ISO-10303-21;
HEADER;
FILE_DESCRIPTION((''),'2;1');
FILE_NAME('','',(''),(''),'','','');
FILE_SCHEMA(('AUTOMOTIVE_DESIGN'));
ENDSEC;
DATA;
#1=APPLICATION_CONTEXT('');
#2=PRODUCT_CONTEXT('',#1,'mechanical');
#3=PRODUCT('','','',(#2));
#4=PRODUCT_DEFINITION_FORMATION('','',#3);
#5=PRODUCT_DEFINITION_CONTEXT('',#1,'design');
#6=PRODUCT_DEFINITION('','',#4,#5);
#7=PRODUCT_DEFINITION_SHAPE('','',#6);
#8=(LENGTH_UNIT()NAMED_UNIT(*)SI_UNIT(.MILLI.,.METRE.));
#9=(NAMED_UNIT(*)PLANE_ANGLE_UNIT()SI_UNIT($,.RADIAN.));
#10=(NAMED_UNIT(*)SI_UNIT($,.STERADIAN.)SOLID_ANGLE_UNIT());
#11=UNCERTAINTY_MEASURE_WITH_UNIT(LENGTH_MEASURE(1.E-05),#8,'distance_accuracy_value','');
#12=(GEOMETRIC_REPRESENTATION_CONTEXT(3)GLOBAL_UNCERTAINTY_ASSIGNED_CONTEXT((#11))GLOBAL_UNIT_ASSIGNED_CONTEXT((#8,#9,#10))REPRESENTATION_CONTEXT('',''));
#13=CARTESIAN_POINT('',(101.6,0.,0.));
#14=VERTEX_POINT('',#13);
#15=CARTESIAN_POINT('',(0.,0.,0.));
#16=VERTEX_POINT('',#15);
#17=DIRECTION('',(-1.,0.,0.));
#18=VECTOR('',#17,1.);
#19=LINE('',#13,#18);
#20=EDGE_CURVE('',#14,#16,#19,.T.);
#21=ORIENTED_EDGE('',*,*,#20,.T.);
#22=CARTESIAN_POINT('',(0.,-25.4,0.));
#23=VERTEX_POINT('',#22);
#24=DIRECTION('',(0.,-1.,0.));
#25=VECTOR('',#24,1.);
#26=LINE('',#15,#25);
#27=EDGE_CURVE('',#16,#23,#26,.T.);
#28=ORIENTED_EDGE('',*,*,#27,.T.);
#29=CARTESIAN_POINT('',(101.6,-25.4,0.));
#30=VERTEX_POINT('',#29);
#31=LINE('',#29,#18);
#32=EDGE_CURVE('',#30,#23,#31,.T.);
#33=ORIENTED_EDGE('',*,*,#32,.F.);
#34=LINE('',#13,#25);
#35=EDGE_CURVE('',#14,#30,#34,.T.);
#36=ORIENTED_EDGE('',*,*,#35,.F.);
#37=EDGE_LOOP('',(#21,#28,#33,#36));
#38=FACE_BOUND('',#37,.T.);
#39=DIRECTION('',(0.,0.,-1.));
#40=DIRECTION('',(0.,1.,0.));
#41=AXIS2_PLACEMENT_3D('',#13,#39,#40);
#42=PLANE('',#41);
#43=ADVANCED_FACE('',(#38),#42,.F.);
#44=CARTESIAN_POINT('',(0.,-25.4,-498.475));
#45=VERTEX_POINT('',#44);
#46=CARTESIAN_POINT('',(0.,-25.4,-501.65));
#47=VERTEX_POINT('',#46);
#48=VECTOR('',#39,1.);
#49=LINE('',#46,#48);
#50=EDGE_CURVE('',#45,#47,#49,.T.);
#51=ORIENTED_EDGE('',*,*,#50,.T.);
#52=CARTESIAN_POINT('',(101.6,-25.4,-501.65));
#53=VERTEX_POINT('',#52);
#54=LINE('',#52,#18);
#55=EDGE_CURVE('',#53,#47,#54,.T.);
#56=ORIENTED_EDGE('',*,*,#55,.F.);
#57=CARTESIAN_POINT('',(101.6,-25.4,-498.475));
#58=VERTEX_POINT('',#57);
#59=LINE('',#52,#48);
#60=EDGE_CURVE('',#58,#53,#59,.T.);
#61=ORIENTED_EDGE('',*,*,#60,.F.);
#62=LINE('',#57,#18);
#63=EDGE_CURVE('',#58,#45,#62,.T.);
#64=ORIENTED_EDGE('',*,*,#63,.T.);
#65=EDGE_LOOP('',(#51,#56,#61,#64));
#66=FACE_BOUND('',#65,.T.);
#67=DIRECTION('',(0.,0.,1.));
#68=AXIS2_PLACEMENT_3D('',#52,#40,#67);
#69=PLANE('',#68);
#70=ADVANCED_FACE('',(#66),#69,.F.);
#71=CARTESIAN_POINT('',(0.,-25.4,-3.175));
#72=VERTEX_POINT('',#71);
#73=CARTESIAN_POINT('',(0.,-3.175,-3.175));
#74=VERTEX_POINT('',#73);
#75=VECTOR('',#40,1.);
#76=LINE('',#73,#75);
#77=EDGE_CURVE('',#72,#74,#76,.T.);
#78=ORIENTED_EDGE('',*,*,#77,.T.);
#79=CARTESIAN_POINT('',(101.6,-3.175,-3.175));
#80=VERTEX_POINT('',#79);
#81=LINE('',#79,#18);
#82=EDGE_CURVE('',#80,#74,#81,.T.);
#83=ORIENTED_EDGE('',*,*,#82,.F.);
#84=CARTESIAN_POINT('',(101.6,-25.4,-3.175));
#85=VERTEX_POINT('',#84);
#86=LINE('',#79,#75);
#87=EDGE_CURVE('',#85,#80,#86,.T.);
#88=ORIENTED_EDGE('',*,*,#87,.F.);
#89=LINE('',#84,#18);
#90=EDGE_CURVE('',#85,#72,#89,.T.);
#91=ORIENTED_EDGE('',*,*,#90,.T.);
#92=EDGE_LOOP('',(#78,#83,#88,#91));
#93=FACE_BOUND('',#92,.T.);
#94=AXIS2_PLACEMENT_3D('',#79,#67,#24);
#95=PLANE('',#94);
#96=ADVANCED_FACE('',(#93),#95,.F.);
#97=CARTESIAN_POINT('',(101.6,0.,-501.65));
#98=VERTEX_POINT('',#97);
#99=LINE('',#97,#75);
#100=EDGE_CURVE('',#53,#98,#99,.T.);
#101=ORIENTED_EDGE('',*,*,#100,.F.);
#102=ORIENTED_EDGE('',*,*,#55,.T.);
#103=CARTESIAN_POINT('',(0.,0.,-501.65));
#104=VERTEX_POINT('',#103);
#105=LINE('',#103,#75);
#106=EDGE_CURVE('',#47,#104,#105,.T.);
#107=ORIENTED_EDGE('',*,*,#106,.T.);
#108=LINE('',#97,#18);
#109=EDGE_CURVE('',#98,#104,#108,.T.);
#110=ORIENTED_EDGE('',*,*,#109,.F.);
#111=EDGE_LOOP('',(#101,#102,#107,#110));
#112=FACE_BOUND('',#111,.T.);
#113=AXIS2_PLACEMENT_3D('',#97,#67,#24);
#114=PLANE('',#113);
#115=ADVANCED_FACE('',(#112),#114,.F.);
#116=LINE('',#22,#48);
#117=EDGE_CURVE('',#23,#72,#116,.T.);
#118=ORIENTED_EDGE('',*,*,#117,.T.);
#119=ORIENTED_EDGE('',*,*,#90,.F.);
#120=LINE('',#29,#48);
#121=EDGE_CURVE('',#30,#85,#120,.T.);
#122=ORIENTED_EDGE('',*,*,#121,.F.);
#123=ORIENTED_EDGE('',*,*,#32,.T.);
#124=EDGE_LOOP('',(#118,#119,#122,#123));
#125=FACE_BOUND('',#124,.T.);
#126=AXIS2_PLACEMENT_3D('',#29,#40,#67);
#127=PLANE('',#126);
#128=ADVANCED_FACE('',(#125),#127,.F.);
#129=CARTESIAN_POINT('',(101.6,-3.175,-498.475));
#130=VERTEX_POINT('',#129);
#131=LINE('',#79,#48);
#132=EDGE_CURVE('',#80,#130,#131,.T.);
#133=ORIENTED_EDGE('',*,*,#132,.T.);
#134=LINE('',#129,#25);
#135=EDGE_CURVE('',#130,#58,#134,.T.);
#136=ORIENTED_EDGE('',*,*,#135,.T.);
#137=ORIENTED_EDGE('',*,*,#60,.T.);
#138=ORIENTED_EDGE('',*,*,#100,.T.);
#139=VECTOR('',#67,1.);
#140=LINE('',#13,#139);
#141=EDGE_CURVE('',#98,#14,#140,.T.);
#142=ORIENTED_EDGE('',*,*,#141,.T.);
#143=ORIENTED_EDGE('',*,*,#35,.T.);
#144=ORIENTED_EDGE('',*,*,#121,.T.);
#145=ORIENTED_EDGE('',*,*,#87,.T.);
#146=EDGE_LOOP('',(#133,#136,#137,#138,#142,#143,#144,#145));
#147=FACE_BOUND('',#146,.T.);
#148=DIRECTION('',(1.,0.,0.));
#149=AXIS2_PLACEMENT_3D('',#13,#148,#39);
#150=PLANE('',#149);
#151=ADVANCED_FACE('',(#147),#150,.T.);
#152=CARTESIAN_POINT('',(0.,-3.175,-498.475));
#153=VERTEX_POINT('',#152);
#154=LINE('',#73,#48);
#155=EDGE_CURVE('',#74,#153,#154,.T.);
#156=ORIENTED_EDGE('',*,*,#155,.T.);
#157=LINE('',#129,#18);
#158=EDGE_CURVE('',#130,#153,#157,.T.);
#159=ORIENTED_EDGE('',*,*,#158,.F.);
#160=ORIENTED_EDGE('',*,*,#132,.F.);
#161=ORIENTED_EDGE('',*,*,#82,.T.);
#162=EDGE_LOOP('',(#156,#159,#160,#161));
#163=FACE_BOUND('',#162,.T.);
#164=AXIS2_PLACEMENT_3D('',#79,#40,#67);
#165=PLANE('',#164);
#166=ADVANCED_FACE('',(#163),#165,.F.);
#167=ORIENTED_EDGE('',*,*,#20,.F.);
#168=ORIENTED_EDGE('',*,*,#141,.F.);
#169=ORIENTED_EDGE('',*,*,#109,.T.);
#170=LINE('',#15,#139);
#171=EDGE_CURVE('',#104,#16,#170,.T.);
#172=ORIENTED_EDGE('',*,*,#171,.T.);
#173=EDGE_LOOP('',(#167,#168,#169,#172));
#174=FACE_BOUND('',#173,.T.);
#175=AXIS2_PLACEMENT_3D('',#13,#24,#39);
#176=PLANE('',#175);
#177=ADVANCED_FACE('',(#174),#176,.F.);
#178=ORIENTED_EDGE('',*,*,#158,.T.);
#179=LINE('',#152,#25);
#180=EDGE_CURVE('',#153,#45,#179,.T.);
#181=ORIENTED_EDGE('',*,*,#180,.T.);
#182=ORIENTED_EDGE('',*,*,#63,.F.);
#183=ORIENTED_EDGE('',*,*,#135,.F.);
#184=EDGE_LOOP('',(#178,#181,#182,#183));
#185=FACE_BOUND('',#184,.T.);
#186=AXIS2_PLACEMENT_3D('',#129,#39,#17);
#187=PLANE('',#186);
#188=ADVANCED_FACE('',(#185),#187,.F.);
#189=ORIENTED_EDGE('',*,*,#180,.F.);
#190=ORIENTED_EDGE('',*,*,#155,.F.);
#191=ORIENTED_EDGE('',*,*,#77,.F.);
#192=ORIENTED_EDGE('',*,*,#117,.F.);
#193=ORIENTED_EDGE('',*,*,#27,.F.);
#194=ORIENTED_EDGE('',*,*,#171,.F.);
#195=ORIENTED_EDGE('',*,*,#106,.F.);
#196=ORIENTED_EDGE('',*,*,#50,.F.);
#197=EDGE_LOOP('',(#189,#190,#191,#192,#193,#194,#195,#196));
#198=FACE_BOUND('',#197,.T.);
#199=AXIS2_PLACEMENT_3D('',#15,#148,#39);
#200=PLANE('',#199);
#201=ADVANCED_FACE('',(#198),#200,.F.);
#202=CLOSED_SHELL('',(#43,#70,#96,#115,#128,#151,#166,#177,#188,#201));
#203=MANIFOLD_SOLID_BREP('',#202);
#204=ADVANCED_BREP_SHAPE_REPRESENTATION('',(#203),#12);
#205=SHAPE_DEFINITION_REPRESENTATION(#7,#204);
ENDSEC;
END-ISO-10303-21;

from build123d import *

# Parameters (mm, degrees)
BOSS_EXTRUDE1_DEPTH = 101.6


with BuildPart() as part:
    # Sketch1 → Boss-Extrude1 (new body)
    with BuildSketch(Plane(origin=(0, 0, 0), x_dir=(0, 0, -1), z_dir=(1, 0, 0))):
        Polygon((0, 0), (501.65, 0), (501.65, -25.4), (498.475, -25.4), (498.475, -3.175), (3.175, -3.175), (3.175, -25.4), (0, -25.4), align=None)
    extrude(amount=BOSS_EXTRUDE1_DEPTH)


solid = part.part
